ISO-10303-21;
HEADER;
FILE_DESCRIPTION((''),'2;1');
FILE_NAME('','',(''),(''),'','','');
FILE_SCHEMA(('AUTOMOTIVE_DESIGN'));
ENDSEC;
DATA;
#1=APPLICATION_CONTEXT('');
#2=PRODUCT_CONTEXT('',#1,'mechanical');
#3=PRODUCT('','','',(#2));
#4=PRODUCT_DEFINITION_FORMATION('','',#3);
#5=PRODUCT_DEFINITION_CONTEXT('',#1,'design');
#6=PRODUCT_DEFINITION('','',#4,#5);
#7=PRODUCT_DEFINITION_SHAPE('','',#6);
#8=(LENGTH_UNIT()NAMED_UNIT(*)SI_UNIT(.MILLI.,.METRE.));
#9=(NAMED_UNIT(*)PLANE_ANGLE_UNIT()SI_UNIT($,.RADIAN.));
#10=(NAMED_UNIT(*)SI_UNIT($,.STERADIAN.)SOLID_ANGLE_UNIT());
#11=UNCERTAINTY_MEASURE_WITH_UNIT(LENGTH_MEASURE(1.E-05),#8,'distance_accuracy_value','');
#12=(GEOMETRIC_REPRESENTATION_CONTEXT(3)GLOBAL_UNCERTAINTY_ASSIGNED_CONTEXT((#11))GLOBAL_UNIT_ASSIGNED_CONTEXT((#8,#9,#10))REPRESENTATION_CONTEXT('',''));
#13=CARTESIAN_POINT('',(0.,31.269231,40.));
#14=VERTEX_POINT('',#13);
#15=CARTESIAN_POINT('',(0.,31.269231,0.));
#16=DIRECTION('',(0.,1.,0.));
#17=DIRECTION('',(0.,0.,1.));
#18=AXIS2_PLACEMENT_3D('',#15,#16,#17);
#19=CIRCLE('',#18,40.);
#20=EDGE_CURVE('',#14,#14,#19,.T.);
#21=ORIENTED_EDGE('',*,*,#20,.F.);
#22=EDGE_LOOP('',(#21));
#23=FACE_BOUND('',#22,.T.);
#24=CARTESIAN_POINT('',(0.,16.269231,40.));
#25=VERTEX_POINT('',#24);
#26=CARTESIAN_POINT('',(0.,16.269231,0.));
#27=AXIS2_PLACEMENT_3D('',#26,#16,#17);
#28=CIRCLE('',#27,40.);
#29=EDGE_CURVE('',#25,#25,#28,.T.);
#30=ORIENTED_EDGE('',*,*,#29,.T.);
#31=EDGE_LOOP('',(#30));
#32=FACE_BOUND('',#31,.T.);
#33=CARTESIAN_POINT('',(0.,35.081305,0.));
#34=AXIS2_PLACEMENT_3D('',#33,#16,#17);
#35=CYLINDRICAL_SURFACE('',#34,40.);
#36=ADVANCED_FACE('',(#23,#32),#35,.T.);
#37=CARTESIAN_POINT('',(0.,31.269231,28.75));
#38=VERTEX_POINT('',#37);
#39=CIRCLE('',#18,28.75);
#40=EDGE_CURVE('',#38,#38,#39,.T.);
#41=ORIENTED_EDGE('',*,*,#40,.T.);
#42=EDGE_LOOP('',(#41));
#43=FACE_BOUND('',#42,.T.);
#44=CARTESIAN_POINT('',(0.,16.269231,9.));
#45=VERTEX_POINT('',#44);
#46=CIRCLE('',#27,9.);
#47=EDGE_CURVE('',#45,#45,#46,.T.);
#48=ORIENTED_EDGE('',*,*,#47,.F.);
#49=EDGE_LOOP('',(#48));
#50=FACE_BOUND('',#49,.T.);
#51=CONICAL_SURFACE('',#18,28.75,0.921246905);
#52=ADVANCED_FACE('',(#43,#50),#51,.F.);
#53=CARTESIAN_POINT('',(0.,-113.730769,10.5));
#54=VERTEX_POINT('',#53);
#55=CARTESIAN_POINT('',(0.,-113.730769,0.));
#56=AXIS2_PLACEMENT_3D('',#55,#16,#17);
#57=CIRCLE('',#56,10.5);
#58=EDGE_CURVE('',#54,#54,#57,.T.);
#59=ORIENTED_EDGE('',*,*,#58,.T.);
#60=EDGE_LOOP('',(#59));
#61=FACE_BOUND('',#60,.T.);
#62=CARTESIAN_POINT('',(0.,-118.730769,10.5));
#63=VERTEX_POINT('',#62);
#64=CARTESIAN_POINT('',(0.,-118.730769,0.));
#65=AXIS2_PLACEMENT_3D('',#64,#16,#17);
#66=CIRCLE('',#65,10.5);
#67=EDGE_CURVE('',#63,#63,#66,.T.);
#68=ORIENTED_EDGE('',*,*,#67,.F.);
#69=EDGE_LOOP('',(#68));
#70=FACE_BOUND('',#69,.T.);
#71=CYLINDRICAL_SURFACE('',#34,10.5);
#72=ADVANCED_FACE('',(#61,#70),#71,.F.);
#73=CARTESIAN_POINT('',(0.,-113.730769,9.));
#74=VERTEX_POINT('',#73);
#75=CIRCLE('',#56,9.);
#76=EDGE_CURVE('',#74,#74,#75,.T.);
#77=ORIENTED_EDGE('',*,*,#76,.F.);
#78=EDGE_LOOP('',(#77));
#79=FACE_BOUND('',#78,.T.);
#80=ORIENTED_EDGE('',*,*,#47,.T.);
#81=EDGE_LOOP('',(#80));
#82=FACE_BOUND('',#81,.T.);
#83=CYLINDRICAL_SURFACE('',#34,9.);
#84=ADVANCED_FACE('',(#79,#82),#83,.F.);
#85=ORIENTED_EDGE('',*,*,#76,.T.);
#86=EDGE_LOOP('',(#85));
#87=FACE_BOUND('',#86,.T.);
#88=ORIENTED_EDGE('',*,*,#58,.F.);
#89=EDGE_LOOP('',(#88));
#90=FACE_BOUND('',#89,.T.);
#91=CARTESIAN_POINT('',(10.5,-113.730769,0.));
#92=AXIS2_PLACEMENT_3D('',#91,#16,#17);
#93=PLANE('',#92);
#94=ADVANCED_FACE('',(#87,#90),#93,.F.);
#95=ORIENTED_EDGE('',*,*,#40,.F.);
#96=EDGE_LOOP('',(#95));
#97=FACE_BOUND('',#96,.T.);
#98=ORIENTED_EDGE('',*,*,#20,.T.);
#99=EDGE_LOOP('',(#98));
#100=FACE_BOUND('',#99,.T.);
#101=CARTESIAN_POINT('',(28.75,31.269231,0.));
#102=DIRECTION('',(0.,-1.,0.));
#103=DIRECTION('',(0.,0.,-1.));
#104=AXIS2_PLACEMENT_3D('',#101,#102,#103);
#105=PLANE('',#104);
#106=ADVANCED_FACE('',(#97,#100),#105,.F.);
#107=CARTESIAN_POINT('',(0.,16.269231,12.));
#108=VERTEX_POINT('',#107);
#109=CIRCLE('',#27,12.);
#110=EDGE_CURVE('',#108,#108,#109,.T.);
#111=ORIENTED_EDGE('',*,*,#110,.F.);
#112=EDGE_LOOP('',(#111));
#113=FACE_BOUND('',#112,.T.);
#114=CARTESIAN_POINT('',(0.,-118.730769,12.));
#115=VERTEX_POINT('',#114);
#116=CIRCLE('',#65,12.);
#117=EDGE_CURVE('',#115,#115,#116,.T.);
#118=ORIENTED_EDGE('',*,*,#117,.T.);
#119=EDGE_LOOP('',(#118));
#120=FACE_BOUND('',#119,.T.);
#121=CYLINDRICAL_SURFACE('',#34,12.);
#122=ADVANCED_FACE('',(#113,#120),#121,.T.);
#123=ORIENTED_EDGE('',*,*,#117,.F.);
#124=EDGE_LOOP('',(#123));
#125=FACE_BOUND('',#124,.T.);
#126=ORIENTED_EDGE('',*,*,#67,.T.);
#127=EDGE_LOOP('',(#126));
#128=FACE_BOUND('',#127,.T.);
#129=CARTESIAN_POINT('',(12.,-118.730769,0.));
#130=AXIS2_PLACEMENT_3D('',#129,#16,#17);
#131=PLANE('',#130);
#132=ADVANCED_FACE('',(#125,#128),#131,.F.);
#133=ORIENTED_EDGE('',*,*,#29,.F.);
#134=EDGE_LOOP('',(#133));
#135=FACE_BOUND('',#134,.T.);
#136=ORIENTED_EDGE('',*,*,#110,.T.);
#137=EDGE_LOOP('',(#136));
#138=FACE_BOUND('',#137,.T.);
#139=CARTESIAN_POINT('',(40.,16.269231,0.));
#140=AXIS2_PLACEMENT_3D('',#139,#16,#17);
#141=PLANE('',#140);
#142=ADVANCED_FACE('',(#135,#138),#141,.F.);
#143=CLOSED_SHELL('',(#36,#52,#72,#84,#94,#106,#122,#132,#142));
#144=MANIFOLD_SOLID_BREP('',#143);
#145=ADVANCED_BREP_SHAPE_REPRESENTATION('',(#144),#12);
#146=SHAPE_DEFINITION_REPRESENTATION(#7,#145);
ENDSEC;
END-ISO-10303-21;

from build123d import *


with BuildPart() as part:
    # Sketch1 → Revolve1 (revolve)
    with BuildSketch(Plane.XY):
        Polygon((9, -113.730769231), (9, 16.269230769), (28.75, 31.269230769), (40, 31.269230769), (40, 16.269230769), (12, 16.269230769), (12, -118.730769231), (10.5, -118.730769231), (10.5, -113.730769231), align=None)
    revolve(axis=Axis((0, 35.081305491, 0), (0, -1, 0)))


solid = part.part
